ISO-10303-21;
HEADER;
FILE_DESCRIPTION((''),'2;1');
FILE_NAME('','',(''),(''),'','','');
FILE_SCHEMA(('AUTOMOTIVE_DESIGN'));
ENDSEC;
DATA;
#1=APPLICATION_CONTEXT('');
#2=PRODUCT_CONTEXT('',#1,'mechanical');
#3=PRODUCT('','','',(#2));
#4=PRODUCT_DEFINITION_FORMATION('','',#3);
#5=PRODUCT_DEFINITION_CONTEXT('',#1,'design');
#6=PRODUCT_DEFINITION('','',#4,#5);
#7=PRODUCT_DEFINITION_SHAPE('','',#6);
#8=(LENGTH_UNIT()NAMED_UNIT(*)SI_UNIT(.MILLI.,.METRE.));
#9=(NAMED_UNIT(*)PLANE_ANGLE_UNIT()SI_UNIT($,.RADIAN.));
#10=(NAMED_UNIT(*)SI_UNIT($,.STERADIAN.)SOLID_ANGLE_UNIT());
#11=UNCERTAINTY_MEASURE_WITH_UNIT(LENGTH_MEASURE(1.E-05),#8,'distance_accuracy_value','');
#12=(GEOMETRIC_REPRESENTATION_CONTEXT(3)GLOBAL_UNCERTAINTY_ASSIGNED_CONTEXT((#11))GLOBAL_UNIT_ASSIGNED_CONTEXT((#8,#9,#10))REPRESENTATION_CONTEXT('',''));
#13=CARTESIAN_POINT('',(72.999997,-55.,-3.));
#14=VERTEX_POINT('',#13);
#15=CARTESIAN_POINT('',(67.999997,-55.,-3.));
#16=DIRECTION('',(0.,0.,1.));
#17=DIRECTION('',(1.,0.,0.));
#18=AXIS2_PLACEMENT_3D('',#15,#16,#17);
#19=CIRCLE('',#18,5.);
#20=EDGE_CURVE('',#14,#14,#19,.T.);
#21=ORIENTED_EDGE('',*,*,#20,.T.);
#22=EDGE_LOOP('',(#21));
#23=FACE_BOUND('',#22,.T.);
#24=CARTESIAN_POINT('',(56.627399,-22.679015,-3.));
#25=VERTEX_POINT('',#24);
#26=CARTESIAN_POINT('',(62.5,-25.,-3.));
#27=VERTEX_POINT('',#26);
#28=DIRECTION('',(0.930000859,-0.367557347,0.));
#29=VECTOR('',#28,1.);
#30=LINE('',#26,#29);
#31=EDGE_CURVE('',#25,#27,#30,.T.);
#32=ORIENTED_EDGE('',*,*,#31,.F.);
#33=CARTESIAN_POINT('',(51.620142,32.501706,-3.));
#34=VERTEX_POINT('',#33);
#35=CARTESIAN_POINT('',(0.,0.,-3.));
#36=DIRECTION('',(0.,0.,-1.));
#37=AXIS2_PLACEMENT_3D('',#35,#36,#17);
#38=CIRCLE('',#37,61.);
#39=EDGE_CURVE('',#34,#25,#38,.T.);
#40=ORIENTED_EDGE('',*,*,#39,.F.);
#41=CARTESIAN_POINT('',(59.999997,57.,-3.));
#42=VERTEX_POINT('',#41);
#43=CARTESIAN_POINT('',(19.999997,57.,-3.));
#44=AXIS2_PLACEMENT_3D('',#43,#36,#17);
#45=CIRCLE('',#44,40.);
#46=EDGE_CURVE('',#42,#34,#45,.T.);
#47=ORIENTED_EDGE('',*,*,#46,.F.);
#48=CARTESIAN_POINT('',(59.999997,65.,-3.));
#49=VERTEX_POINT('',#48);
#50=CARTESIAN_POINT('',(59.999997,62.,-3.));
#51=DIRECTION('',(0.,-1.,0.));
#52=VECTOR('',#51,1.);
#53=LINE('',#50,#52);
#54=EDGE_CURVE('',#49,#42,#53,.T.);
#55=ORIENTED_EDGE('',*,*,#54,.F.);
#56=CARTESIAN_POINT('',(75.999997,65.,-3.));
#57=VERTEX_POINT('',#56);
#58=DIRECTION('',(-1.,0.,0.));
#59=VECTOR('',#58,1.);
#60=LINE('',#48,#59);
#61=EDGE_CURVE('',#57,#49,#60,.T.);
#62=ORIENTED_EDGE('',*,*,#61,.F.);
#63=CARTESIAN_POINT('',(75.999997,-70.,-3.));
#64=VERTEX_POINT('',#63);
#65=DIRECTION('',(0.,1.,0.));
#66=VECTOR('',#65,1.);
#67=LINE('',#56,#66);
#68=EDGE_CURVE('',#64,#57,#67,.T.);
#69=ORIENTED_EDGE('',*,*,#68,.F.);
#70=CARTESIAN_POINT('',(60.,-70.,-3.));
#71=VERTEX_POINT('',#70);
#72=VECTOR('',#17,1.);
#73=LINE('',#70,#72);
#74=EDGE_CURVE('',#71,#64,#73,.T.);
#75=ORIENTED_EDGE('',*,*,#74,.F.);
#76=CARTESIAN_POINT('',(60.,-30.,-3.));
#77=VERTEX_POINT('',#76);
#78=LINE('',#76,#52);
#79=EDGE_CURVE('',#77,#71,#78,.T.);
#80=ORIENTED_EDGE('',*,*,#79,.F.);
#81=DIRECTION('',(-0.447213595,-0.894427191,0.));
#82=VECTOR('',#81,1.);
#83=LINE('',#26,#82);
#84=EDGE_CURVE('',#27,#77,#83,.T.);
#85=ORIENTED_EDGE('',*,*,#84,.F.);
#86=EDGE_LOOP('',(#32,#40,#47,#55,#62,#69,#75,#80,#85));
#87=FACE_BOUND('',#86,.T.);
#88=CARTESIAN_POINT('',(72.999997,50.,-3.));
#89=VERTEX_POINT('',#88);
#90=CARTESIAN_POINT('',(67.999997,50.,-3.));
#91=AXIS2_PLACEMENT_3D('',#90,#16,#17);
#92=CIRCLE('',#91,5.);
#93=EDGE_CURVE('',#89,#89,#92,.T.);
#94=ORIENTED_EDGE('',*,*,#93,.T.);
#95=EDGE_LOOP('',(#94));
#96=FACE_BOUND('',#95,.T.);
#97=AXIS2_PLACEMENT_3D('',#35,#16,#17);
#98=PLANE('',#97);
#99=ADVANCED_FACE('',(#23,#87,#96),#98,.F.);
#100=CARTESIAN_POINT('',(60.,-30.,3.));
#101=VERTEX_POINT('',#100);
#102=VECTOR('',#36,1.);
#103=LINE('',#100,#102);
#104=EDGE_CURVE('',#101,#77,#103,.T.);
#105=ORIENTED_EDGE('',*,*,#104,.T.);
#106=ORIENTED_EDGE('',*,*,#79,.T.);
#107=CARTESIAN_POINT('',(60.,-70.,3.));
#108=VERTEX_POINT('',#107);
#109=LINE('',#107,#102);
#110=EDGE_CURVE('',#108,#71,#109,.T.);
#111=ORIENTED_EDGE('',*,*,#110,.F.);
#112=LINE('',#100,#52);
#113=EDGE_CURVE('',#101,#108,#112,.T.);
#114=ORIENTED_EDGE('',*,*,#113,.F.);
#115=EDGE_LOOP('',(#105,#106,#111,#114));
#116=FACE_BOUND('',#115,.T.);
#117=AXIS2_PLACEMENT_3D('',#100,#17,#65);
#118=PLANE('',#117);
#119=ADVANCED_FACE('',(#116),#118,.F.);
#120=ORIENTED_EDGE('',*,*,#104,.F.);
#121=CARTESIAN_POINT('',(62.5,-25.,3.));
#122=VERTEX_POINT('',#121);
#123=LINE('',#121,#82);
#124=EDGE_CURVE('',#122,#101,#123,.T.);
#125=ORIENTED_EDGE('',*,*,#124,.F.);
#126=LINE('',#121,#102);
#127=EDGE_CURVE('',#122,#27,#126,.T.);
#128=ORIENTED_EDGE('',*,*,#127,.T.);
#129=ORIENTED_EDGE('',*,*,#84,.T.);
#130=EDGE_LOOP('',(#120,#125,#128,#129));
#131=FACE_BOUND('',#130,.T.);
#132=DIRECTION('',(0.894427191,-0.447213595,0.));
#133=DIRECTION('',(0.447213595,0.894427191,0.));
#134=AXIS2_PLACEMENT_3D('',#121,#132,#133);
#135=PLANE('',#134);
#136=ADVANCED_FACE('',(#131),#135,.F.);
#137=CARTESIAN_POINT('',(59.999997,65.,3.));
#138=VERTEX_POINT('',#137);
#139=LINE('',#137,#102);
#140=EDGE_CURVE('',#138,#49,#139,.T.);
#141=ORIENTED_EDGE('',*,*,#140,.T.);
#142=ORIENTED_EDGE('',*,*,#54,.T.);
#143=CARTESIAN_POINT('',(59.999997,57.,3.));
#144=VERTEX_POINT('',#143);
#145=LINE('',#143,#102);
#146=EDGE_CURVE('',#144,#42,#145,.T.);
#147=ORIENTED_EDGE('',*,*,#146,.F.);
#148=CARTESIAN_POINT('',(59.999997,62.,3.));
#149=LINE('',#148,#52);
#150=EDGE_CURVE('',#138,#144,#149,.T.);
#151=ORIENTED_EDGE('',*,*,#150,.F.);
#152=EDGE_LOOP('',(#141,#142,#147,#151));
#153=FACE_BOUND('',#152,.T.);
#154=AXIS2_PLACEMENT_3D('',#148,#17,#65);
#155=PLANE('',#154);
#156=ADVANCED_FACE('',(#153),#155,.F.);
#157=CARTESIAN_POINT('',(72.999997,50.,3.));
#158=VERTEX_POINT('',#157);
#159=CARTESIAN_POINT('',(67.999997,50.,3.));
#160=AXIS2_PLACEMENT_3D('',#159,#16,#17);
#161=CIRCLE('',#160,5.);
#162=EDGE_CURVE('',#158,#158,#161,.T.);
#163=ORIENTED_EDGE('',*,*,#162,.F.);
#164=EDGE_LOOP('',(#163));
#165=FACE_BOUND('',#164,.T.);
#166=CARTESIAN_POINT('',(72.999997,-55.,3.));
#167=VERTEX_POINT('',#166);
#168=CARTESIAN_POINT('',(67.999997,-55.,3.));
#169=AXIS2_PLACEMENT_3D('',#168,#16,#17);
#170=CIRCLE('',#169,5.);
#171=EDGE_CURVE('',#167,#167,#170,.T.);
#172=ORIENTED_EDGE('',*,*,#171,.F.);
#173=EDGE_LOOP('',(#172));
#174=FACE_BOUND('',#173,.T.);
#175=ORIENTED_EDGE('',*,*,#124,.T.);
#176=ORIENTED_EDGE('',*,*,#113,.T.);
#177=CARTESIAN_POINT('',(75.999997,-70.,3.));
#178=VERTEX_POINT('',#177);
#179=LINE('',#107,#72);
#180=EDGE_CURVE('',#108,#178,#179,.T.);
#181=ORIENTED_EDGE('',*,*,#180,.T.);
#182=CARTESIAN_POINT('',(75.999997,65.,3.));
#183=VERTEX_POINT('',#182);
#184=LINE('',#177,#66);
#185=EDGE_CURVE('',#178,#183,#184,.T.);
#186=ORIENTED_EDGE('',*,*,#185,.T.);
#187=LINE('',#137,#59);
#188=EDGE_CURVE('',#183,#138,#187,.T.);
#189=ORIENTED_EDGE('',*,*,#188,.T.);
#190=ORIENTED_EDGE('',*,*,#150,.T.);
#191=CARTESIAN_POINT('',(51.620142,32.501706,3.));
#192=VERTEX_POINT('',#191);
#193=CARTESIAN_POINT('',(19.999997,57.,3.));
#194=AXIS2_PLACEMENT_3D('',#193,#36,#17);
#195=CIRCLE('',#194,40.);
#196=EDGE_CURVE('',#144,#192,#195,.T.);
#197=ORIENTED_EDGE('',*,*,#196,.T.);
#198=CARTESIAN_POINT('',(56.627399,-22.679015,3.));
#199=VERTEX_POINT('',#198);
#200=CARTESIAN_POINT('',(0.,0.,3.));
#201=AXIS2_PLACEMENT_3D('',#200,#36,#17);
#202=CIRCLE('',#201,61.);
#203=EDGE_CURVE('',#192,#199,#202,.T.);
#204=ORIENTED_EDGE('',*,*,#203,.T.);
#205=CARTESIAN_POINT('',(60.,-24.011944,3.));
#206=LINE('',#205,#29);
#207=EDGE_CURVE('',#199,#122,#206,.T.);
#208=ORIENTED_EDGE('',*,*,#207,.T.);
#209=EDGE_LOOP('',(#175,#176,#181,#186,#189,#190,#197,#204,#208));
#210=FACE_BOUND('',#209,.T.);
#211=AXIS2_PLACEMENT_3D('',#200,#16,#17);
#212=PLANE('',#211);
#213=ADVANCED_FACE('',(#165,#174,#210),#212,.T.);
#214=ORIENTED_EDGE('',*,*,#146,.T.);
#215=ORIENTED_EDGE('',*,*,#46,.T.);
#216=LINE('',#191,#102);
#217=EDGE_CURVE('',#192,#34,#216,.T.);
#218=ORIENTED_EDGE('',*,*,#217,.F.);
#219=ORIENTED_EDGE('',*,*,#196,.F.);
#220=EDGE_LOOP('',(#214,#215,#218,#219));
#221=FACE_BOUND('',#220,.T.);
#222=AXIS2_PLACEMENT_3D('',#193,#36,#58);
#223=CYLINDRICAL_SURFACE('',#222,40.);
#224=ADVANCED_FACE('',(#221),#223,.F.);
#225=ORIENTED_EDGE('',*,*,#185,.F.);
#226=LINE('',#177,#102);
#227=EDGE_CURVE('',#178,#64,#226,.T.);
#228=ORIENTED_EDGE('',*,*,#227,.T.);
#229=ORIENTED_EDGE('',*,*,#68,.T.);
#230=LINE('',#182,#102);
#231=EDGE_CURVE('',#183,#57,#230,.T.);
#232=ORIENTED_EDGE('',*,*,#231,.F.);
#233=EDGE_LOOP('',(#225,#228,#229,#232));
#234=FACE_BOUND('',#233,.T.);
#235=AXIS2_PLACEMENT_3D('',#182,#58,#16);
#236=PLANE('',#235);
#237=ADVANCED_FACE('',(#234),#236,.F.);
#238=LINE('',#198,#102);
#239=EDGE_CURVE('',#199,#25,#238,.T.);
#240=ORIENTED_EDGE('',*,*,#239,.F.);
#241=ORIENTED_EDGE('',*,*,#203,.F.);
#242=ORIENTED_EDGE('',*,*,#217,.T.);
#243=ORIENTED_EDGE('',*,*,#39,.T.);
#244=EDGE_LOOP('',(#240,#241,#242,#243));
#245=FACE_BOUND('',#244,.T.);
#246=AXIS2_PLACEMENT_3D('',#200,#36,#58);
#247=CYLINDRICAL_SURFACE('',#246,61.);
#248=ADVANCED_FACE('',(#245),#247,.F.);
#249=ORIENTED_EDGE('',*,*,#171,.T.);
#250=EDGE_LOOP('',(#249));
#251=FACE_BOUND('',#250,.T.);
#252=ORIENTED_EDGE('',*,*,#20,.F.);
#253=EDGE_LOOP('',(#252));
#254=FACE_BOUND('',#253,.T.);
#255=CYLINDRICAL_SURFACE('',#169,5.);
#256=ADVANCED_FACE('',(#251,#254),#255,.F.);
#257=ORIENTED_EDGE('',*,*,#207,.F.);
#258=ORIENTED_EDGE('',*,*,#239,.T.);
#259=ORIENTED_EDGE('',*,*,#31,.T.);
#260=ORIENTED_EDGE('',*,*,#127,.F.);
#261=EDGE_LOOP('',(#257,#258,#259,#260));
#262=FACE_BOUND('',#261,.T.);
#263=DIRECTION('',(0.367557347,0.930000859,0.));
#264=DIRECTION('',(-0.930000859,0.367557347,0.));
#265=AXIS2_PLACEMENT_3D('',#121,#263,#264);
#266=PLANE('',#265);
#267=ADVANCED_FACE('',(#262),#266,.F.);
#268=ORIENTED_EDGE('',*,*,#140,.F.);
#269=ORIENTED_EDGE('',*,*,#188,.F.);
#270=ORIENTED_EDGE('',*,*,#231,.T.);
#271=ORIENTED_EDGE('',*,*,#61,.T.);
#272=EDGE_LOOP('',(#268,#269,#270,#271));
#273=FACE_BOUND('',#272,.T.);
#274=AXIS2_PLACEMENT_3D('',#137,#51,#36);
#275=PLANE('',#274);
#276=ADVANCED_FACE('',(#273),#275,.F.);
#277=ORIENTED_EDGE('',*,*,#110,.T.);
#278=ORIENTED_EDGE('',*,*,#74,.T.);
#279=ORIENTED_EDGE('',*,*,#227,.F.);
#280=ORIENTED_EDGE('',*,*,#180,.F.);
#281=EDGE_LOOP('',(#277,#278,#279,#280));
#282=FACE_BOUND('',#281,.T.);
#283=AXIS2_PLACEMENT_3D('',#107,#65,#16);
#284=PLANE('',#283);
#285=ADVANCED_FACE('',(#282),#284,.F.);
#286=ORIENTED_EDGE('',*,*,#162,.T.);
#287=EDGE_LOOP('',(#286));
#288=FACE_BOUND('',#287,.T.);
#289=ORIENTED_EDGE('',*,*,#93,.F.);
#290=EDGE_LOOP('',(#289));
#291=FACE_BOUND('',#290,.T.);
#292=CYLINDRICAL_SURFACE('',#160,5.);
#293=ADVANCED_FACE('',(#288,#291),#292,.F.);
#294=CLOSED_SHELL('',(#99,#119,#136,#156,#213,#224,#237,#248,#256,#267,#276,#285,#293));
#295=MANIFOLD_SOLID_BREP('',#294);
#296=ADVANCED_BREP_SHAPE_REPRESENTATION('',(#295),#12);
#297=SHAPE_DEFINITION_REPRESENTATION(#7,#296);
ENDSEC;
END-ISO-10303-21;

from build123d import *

# Parameters (mm, degrees)
BOSS_EXTRUDE1_DEPTH        = 3
F_10_0_10_DIAMETER_HOLE1_D = 10


with BuildPart() as part:
    # Sketch1 → Boss-Extrude1 (new, symmetric)
    with BuildSketch(Plane.XY):
        with BuildLine():
            Line((59.999997079, 62), (59.999997079, 57))
            ThreePointArc((59.999997079, 57), (57.847096138, 44.054070414), (51.620142438, 32.501706028))
            ThreePointArc((51.620142438, 32.501706028), (60.750395332, 5.512664234), (56.627398554, -22.679015256))
            Line((56.627398554, -22.679015256), (60, -24.011943529))
            Line((60, -24.011943529), (62.5, -25))
            Line((62.5, -25), (60, -30))
            Line((60, -30), (60, -70))
            Line((60, -70), (75.999997079, -70))
            Line((75.999997079, -70), (75.999997079, 62))
            Line((75.999997079, 62), (75.999997079, 65))
            Line((75.999997079, 65), (59.999997079, 65))
            Line((59.999997079, 65), (59.999997079, 62))
        make_face()
    extrude(amount=BOSS_EXTRUDE1_DEPTH, both=True)

    # Ø10.0 (10) Diameter Hole1 (through all)
    with Locations(Plane(origin=(67.999997079, 50, 3), x_dir=(1, 0, 0), z_dir=(0, 0, 1))):
        with Locations((0, 0), (0, -105)):
            Hole(F_10_0_10_DIAMETER_HOLE1_D / 2)


solid = part.part
